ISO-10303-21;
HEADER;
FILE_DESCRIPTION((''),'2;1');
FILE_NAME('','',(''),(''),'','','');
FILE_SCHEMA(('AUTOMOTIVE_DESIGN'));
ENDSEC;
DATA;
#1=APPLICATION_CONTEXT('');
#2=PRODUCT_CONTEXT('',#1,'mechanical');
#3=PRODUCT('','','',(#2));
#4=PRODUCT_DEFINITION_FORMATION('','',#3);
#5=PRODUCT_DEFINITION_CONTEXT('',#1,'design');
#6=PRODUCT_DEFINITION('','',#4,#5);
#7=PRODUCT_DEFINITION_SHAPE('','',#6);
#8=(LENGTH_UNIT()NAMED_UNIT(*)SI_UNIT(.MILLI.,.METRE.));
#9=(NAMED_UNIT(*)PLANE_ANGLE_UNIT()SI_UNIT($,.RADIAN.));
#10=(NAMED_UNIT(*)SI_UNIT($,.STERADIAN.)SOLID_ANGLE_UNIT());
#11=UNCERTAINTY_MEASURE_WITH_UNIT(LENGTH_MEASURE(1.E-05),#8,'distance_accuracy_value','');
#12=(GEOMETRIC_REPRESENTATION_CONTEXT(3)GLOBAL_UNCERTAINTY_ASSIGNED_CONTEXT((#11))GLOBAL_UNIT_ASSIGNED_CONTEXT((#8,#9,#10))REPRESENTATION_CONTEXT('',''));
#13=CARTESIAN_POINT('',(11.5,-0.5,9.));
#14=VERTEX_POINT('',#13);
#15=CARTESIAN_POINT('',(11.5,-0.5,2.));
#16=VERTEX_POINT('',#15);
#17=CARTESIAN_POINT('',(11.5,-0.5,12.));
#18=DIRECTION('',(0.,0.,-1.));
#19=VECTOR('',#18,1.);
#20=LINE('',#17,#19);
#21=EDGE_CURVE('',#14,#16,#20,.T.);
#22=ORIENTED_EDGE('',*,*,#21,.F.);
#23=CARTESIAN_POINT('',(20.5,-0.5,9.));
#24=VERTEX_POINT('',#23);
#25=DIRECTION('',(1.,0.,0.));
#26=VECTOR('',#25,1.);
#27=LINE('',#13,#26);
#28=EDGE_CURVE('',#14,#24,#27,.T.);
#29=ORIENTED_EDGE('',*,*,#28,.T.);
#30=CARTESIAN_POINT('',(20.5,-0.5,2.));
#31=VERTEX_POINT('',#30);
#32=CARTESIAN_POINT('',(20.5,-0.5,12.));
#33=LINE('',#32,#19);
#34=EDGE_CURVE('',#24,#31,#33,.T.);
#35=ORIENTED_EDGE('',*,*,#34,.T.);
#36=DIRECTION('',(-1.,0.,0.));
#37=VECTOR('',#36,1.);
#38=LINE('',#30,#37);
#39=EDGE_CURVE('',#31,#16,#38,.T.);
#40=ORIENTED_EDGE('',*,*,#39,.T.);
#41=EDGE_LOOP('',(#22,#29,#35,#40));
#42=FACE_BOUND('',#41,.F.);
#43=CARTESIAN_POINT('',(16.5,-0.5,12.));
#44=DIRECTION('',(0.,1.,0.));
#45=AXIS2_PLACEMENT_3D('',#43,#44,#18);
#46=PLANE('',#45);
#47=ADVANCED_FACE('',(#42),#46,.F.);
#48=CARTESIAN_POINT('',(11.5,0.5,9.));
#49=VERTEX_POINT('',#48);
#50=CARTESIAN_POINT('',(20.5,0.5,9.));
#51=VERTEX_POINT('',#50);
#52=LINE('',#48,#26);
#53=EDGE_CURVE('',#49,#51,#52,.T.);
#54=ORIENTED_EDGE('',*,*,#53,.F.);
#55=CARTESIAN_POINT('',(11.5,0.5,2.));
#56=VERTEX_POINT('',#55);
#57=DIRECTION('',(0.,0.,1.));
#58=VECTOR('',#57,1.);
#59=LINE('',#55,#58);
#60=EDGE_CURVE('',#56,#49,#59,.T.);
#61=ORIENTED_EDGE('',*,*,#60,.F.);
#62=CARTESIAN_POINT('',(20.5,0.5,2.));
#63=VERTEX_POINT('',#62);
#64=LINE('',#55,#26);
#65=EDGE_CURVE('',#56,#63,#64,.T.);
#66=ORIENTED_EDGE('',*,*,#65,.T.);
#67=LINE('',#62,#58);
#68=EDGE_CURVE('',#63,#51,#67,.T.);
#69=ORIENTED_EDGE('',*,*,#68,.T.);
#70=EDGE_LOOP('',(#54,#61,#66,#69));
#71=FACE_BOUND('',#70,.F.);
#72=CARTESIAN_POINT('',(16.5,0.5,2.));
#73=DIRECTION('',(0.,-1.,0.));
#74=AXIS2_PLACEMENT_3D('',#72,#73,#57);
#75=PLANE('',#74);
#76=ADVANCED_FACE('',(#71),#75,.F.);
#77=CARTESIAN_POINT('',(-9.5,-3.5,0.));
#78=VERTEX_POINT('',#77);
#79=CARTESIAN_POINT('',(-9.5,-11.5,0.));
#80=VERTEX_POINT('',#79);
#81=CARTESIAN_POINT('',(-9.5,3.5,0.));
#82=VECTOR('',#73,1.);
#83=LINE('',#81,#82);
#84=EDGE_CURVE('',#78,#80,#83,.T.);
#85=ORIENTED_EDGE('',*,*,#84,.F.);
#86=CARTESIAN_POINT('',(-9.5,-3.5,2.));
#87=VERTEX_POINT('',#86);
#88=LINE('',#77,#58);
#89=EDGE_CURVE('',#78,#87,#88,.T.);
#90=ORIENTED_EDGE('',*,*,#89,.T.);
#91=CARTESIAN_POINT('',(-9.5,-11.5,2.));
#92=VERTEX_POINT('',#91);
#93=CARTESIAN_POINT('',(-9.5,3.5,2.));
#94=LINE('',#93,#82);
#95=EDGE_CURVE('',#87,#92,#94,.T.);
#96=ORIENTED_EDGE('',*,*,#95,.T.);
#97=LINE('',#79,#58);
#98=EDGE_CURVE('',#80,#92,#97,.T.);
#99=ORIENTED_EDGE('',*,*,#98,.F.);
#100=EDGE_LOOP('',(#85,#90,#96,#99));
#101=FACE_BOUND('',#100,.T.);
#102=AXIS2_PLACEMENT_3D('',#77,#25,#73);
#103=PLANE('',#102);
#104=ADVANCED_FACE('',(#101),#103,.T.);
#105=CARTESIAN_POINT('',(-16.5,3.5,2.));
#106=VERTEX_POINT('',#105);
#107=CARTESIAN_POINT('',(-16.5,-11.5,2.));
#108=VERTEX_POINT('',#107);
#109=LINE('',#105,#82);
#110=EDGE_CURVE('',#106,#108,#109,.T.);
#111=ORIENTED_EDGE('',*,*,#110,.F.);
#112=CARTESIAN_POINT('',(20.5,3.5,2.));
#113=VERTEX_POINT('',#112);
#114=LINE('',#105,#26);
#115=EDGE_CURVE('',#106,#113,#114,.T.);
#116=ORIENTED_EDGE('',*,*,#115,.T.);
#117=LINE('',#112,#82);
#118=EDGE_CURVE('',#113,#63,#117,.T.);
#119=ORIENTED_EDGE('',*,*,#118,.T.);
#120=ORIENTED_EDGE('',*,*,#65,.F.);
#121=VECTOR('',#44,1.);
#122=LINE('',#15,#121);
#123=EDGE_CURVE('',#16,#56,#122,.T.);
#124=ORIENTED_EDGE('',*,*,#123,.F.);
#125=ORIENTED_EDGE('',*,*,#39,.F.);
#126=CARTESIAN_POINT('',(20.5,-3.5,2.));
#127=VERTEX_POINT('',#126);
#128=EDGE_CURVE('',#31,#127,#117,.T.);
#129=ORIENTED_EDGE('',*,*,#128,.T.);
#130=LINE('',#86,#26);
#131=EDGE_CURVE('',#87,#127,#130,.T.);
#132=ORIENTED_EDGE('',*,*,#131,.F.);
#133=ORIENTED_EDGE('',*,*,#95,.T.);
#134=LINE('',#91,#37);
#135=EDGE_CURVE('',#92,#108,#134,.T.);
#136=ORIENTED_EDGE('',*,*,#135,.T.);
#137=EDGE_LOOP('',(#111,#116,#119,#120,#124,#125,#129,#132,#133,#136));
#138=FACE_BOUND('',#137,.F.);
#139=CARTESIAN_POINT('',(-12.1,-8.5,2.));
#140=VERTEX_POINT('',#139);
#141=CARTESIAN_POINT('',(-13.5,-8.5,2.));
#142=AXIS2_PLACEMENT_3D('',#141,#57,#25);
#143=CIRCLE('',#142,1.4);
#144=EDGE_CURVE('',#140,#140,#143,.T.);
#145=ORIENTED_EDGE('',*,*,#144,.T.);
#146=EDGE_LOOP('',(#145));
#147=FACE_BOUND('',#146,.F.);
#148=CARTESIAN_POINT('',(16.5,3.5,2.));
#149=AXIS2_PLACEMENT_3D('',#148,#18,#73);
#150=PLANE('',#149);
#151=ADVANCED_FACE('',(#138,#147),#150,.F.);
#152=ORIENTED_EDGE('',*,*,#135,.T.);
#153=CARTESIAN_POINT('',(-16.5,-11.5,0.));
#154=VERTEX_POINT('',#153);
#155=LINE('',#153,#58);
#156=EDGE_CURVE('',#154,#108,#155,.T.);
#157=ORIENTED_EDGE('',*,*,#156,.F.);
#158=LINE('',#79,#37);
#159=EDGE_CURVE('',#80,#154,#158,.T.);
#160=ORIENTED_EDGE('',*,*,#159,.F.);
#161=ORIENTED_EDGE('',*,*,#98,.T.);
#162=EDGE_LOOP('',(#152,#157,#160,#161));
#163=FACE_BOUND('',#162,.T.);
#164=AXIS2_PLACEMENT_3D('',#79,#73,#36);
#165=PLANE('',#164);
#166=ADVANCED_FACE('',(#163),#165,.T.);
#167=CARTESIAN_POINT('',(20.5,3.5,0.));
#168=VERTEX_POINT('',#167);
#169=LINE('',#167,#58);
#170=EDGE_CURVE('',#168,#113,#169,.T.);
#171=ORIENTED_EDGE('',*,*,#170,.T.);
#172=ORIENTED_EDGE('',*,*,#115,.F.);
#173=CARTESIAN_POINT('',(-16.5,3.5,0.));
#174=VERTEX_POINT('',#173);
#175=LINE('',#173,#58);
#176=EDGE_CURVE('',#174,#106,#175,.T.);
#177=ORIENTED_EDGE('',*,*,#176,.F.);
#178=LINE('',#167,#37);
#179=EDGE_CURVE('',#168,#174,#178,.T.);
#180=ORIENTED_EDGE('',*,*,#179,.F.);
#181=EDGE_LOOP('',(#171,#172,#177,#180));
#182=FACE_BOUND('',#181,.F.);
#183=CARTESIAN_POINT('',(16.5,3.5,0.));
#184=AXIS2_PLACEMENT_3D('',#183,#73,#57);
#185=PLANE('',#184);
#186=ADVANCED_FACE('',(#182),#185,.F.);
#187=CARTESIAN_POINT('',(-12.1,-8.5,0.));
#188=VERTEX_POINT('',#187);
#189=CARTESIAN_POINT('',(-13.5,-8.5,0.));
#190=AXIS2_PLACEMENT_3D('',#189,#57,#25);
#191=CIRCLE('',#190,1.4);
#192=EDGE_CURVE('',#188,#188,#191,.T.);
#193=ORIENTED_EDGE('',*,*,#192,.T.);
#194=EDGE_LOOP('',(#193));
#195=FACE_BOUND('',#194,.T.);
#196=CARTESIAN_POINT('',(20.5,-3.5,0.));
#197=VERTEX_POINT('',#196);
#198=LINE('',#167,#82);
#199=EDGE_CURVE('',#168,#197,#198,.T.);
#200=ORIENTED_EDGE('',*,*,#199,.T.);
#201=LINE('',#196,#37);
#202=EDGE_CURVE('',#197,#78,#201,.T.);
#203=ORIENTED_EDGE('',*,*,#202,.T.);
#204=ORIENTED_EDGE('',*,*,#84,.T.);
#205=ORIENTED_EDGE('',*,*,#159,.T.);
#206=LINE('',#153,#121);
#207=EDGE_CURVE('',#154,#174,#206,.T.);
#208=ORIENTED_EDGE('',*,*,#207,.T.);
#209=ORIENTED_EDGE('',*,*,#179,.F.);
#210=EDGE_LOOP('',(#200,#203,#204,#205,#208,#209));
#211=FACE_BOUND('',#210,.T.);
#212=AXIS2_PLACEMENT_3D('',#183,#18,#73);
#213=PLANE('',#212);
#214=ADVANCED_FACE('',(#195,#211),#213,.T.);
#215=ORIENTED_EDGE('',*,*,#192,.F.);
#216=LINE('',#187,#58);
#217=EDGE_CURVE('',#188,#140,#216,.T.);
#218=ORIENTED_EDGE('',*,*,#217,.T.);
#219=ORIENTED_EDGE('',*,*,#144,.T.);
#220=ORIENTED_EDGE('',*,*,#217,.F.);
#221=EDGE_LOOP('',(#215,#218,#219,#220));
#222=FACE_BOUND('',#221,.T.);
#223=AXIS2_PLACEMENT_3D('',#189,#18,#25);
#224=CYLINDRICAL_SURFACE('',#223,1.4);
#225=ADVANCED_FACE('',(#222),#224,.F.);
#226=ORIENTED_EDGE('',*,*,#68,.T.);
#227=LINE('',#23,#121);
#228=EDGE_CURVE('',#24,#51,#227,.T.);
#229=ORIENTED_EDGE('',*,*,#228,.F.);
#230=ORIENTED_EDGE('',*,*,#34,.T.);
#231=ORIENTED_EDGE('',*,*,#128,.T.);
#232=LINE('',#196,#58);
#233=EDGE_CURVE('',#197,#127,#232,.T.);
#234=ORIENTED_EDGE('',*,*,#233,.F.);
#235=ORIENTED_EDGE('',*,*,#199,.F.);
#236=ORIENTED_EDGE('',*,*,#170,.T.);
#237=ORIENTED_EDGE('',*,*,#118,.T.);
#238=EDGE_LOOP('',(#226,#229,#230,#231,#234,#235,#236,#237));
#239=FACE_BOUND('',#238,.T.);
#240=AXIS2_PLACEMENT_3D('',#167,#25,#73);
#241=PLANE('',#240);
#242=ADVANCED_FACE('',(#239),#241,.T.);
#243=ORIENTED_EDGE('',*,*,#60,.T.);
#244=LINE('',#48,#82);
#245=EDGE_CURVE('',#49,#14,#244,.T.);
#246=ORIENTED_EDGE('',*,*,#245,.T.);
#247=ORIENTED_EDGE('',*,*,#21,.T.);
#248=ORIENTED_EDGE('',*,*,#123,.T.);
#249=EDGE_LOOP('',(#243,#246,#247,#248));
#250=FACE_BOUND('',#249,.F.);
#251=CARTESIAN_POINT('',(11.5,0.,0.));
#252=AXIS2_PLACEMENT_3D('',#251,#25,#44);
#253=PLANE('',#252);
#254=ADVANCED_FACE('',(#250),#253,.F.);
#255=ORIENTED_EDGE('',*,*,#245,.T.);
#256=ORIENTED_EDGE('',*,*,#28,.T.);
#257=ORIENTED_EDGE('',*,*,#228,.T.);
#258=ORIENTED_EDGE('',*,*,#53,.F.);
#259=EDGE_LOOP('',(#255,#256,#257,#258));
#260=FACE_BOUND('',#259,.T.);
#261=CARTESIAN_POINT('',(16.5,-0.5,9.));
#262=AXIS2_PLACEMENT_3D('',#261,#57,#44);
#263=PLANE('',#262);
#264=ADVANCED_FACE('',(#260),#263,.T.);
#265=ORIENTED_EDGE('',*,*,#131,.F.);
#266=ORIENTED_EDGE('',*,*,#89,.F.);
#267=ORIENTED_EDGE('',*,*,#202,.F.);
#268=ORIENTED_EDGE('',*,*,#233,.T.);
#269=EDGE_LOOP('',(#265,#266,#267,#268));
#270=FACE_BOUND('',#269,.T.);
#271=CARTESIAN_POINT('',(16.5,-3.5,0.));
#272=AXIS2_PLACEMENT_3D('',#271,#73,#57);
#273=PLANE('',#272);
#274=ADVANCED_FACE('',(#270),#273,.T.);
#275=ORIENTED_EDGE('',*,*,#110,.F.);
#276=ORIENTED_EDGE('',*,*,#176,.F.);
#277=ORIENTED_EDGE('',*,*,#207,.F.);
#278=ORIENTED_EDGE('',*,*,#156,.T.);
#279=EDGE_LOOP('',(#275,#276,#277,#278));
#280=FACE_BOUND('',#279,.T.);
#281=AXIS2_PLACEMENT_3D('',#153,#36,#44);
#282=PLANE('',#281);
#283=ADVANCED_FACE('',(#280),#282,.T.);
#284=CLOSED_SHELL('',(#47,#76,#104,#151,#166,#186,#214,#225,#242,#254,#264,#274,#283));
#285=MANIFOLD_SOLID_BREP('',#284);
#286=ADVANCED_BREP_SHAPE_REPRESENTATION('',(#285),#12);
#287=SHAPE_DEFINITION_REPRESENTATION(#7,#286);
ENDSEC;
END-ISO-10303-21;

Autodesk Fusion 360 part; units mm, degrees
sketch "Sketch1" plane through (0, 0, 0) normal (0, 0, 1) x (1, 0, 0)
  line L0 (16.5, -3.5) -> (-16.5, -3.5)
  line L1 (-16.5, -3.5) -> (-16.5, 3.5)
  line L2 (-16.5, 3.5) -> (16.5, 3.5)
  line L3 (16.5, 3.5) -> (16.5, -3.5)
  line L4 (16.5, -3.5) -> (-16.5, 3.5) construction
  line L5 (-16.5, -3.5) -> (16.5, 3.5) construction
  circle A0 centre (-13.5, -8.5) radius 1.4
  line L6 (-16.5, 3.5) -> (-9.5, 3.5)
  line L7 (-9.5, 3.5) -> (-9.5, -11.5)
  line L8 (-9.5, -11.5) -> (-16.5, -11.5)
  line L9 (-16.5, -11.5) -> (-16.5, 3.5)
  dimension "d1" = 33
  dimension "d2" = 7
  dimension "d3" = 2.8
  dimension "d4" = 3
  dimension "d16" = 15
  dimension "d17" = 3
  dimension "d18" = 7
extrude "Extrude1" add sketch "Sketch1" along normal blind 2
sketch "Sketch2" plane through (16.5, 0, 0) normal (1, 0, 0) x (0, 1, 0)
  line L0 (-3.5, 0) -> (3.5, 0)
  line L1 (3.5, 0) -> (3.5, 2)
  line L2 (3.5, 2) -> (-3.5, 2)
  line L3 (-3.5, 2) -> (-3.5, 0)
  line L4 (0, 2) -> (0.5, 2)
  line L5 (0.5, 2) -> (0.5, 12)
  line L6 (0.5, 12) -> (0, 12)
  line L7 (0, 12) -> (0, 2)
  line L8 (0, 12) -> (-0.5, 12)
  line L9 (-0.5, 12) -> (-0.5, 2)
  line L10 (-0.5, 2) -> (0, 2)
  line L11 (0, 2) -> (0, 12)
  dimension "d7" = 0.5
  dimension "d8" = 10
  dimension "d9" = 0.5
extrude "Extrude2" add sketch "Sketch2" against normal blind 5 contours L2 L7 L8 L9 L10 L11 | L2 L4 L5 L6 L7 L11
extrude "Extrude3" add 1 faces at (16.5, 0.1667, 0.6667) along direction (1, 0, 0) blind 4
extrude "Extrude4" cut 1 faces at (17.5, -0.1667, 12) along direction (0, 0, -1) blind 3
equation "d1 = 25 mm + 8 mm"
